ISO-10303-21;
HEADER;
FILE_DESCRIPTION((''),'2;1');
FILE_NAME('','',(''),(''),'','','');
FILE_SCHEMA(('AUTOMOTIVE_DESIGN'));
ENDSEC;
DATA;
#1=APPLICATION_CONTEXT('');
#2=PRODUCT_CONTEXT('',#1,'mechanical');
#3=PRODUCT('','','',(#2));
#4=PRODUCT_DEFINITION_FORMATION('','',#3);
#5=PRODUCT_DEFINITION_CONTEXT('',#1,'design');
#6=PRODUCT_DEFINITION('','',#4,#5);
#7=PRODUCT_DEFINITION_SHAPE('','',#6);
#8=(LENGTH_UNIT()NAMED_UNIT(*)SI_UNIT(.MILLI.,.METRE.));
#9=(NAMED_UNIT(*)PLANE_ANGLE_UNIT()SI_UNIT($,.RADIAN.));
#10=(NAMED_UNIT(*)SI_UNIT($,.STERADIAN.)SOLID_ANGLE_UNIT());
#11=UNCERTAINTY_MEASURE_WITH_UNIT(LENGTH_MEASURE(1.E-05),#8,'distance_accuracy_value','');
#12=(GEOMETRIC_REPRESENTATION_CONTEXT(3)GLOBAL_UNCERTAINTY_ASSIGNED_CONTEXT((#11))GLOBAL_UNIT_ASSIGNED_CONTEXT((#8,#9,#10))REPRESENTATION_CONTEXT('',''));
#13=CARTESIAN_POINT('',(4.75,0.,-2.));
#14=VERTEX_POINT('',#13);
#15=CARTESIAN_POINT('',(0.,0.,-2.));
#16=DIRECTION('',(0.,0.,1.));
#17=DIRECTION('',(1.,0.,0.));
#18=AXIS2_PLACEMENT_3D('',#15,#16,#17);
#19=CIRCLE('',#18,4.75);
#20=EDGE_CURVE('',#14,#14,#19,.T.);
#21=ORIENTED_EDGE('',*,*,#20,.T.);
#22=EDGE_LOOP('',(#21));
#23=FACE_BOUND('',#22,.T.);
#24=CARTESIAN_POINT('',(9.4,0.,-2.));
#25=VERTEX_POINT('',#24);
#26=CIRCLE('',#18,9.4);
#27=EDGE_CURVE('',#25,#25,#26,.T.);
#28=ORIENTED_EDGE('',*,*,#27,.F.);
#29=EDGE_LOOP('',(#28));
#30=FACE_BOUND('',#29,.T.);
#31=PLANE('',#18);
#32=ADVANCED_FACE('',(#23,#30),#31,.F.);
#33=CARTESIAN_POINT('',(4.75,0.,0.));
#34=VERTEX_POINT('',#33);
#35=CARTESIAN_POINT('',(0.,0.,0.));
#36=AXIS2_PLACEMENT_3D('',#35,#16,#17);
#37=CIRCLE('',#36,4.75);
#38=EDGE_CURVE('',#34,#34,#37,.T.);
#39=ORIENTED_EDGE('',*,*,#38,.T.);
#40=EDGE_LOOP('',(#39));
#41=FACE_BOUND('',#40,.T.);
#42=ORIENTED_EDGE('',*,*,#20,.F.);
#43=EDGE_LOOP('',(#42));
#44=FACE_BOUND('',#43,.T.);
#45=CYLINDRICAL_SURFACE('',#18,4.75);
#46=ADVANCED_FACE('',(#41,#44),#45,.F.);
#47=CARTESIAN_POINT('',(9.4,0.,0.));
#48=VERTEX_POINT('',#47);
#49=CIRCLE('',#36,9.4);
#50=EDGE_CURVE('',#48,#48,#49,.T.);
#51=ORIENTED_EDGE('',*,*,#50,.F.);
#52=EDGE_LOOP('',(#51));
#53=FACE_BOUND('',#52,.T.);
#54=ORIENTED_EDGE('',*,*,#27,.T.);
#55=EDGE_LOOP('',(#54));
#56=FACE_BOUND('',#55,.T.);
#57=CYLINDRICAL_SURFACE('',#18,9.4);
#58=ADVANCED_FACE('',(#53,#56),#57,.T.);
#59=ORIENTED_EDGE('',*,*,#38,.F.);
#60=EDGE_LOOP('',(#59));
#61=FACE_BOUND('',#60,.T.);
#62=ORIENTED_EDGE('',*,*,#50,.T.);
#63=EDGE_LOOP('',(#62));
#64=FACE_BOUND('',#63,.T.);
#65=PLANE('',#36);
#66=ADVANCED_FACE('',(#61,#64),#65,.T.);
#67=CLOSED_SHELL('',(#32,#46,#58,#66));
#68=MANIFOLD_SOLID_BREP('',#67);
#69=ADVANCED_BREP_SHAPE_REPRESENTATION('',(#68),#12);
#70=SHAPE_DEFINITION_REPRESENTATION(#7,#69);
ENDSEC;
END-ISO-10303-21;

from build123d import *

# Parameters (mm, degrees)
SKETCH1_R           = 9.4
SKETCH1_R_2         = 4.75
BOSS_EXTRUDE1_DEPTH = 2


with BuildPart() as part:
    # Sketch1 → Boss-Extrude1 (new body)
    with BuildSketch(Plane.XY):
        Circle(SKETCH1_R)
        Circle(SKETCH1_R_2, mode=Mode.SUBTRACT)
    extrude(amount=-BOSS_EXTRUDE1_DEPTH)


solid = part.part
